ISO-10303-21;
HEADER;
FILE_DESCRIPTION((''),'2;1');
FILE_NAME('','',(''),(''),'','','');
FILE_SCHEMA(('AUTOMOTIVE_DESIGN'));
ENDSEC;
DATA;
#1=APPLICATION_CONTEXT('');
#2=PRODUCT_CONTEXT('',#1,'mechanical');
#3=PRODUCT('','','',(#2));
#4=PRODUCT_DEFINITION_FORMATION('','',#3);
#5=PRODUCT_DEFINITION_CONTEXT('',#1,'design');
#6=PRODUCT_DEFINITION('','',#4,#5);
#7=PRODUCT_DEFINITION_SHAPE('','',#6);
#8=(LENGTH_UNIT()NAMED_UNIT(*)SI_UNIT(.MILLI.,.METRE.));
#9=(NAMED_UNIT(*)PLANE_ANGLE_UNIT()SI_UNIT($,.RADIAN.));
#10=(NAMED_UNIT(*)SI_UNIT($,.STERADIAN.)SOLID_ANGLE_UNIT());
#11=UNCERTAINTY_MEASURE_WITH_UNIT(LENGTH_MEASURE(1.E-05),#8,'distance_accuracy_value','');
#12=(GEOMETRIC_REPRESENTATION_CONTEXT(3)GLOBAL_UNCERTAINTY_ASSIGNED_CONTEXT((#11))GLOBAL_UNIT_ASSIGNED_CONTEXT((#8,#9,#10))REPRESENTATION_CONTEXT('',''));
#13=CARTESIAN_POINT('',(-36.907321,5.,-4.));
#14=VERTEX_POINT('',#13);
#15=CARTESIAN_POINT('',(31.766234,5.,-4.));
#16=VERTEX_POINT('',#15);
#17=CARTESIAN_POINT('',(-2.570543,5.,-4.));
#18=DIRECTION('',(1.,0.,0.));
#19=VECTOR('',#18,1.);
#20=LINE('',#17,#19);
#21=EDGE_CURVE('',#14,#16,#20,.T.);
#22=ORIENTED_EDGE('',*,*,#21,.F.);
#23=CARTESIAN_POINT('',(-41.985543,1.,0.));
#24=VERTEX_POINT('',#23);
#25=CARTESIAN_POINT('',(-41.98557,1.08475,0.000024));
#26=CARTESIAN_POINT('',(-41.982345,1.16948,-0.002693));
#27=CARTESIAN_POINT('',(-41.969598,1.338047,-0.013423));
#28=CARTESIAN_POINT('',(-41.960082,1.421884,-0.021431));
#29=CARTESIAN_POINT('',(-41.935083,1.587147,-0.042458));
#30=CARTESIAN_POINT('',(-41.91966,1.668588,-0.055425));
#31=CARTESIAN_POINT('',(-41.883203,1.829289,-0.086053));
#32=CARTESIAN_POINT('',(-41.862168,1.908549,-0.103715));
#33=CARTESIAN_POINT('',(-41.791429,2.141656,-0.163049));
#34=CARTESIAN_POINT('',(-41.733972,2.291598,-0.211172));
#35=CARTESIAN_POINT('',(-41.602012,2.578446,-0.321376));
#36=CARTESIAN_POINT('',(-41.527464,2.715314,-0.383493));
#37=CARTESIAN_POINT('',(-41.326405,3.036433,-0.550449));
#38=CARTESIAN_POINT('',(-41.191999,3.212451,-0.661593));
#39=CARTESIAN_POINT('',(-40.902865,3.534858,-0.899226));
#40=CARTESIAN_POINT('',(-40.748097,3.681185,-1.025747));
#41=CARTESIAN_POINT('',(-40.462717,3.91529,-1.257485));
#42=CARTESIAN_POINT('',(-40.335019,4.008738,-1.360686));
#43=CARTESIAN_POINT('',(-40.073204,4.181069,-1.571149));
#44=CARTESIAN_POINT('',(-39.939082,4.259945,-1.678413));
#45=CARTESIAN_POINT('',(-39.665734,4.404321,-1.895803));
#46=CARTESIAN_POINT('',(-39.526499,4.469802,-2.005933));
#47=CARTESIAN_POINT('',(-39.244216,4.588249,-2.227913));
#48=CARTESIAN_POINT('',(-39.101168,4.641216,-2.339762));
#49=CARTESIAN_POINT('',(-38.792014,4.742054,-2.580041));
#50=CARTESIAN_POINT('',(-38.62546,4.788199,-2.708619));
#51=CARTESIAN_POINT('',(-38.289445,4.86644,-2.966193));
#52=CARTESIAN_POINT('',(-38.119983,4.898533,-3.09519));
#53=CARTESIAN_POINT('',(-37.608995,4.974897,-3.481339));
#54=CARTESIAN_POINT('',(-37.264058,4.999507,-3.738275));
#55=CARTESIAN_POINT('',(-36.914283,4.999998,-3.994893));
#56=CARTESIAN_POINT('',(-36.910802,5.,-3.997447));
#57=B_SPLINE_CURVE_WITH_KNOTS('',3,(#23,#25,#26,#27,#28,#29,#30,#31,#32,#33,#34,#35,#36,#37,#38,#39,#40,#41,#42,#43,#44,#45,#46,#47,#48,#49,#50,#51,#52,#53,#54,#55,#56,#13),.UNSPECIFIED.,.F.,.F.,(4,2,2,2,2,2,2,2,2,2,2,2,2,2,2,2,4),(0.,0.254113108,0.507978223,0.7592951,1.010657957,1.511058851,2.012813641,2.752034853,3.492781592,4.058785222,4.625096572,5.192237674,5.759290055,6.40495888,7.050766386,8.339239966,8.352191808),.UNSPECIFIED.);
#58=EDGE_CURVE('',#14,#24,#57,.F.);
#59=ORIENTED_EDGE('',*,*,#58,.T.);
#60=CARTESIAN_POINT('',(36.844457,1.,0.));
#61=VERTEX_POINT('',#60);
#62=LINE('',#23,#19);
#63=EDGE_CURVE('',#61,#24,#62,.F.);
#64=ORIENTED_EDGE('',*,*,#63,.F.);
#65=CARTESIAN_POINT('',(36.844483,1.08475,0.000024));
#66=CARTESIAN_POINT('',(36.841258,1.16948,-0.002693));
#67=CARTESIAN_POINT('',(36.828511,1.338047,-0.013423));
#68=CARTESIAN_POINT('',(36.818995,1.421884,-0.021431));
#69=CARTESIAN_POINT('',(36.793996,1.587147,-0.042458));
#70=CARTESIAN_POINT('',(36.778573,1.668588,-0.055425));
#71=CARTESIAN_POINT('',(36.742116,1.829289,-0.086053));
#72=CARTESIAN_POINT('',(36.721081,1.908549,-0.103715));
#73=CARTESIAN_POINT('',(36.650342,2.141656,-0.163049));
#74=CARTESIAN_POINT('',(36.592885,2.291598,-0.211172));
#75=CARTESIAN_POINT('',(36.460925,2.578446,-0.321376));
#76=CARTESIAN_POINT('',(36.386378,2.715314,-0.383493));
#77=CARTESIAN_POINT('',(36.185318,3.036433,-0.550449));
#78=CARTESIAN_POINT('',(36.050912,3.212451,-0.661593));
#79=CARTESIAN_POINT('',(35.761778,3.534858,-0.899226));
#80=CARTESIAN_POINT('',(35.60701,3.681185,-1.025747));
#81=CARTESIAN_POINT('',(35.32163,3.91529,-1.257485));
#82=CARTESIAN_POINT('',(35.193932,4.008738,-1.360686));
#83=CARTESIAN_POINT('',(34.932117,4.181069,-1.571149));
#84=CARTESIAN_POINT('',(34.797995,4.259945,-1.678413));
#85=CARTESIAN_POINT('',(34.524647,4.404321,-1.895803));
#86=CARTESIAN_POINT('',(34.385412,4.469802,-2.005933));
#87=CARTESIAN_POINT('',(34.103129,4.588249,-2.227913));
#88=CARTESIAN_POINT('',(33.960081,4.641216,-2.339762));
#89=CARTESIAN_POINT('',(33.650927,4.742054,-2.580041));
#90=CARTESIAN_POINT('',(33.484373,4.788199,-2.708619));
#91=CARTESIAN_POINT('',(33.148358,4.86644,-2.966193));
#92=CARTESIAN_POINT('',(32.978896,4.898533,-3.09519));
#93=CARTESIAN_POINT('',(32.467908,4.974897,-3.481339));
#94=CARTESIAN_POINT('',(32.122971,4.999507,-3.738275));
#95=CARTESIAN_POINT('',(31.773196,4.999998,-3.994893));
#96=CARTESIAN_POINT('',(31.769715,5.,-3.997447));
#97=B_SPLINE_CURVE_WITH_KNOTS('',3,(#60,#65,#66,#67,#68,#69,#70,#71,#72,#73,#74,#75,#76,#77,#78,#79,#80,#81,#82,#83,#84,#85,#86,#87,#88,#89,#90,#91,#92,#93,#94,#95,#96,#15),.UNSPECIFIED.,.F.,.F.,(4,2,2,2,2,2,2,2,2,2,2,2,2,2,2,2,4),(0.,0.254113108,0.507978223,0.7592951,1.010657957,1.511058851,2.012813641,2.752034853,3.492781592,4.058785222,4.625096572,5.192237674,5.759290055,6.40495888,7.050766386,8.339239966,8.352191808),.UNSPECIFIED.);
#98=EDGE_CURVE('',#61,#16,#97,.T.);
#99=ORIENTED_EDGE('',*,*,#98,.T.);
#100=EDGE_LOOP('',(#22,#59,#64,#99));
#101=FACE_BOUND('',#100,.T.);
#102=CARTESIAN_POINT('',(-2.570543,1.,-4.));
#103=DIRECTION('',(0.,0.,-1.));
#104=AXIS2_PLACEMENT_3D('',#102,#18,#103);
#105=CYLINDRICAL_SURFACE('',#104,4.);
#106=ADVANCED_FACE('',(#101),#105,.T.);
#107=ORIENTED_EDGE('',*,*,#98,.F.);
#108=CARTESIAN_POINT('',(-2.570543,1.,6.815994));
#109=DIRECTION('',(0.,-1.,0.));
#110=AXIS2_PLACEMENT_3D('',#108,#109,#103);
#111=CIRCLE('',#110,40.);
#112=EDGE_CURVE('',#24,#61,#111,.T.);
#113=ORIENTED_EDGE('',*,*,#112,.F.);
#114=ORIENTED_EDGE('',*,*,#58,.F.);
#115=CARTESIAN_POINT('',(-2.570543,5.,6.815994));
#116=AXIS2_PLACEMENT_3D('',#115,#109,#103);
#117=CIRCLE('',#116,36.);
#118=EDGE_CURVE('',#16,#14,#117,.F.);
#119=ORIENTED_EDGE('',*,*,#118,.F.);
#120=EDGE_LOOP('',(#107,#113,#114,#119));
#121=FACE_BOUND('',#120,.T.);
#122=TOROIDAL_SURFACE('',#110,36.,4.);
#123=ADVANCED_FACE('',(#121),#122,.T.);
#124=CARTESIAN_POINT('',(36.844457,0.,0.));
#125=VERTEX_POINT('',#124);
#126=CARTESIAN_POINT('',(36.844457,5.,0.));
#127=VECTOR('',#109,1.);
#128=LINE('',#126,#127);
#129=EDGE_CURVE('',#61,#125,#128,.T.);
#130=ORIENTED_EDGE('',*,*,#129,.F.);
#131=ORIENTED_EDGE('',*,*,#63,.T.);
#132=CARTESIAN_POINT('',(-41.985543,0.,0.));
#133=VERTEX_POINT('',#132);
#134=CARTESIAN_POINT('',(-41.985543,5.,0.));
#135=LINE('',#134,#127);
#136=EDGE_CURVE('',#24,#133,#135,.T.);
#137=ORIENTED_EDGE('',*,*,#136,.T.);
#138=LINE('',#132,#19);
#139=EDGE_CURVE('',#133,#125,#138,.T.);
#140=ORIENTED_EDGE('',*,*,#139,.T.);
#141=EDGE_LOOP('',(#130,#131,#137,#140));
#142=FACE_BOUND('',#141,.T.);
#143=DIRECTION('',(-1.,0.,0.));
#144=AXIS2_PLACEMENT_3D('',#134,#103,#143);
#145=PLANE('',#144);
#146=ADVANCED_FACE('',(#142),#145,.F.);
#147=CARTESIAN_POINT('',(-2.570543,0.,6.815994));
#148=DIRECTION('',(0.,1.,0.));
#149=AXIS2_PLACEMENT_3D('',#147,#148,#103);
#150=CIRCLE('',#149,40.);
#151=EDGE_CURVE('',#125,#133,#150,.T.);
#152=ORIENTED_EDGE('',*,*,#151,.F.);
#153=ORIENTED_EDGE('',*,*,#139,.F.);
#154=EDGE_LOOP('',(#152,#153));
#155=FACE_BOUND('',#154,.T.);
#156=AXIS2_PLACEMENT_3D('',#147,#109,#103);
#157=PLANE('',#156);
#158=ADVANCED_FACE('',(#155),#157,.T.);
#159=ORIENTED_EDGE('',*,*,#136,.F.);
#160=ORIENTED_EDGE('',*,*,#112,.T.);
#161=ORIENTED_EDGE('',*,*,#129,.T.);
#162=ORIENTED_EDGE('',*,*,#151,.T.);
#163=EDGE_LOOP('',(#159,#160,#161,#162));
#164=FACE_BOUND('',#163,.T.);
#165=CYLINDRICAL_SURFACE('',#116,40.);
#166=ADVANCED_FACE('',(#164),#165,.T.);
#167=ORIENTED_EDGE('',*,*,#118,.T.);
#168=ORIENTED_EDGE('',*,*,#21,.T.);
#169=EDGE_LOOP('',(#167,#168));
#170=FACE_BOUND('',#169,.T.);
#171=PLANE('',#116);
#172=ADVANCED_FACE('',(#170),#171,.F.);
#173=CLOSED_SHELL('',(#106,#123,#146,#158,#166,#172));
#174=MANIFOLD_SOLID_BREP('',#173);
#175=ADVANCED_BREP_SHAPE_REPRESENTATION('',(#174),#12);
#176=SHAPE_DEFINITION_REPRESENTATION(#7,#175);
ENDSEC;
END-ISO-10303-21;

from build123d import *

# Parameters (mm, degrees)
BOSS_EXTRUDE1_DEPTH = 5
FILLET1_R           = 4


with BuildPart() as part:
    # Sketch1 → Boss-Extrude1 (new body)
    with BuildSketch(Plane(origin=(0, 0, 0), x_dir=(1, 0, 0), z_dir=(0, 1, 0))):
        with BuildLine():
            Line((-41.985543478, 0), (36.844456522, 0))
            ThreePointArc((36.844456522, 0), (-2.570543478, 33.184005942), (-41.985543478, 0))
        make_face()
    extrude(amount=BOSS_EXTRUDE1_DEPTH)

    # Fillet1
    fillet1_edges = [part.edges().sort_by_distance(p)[0] for p in [
        (-2.570543478, 5, -33.184005942),
        (-2.570543478, 5, 0),
    ]]
    fillet(fillet1_edges, radius=FILLET1_R)


solid = part.part
